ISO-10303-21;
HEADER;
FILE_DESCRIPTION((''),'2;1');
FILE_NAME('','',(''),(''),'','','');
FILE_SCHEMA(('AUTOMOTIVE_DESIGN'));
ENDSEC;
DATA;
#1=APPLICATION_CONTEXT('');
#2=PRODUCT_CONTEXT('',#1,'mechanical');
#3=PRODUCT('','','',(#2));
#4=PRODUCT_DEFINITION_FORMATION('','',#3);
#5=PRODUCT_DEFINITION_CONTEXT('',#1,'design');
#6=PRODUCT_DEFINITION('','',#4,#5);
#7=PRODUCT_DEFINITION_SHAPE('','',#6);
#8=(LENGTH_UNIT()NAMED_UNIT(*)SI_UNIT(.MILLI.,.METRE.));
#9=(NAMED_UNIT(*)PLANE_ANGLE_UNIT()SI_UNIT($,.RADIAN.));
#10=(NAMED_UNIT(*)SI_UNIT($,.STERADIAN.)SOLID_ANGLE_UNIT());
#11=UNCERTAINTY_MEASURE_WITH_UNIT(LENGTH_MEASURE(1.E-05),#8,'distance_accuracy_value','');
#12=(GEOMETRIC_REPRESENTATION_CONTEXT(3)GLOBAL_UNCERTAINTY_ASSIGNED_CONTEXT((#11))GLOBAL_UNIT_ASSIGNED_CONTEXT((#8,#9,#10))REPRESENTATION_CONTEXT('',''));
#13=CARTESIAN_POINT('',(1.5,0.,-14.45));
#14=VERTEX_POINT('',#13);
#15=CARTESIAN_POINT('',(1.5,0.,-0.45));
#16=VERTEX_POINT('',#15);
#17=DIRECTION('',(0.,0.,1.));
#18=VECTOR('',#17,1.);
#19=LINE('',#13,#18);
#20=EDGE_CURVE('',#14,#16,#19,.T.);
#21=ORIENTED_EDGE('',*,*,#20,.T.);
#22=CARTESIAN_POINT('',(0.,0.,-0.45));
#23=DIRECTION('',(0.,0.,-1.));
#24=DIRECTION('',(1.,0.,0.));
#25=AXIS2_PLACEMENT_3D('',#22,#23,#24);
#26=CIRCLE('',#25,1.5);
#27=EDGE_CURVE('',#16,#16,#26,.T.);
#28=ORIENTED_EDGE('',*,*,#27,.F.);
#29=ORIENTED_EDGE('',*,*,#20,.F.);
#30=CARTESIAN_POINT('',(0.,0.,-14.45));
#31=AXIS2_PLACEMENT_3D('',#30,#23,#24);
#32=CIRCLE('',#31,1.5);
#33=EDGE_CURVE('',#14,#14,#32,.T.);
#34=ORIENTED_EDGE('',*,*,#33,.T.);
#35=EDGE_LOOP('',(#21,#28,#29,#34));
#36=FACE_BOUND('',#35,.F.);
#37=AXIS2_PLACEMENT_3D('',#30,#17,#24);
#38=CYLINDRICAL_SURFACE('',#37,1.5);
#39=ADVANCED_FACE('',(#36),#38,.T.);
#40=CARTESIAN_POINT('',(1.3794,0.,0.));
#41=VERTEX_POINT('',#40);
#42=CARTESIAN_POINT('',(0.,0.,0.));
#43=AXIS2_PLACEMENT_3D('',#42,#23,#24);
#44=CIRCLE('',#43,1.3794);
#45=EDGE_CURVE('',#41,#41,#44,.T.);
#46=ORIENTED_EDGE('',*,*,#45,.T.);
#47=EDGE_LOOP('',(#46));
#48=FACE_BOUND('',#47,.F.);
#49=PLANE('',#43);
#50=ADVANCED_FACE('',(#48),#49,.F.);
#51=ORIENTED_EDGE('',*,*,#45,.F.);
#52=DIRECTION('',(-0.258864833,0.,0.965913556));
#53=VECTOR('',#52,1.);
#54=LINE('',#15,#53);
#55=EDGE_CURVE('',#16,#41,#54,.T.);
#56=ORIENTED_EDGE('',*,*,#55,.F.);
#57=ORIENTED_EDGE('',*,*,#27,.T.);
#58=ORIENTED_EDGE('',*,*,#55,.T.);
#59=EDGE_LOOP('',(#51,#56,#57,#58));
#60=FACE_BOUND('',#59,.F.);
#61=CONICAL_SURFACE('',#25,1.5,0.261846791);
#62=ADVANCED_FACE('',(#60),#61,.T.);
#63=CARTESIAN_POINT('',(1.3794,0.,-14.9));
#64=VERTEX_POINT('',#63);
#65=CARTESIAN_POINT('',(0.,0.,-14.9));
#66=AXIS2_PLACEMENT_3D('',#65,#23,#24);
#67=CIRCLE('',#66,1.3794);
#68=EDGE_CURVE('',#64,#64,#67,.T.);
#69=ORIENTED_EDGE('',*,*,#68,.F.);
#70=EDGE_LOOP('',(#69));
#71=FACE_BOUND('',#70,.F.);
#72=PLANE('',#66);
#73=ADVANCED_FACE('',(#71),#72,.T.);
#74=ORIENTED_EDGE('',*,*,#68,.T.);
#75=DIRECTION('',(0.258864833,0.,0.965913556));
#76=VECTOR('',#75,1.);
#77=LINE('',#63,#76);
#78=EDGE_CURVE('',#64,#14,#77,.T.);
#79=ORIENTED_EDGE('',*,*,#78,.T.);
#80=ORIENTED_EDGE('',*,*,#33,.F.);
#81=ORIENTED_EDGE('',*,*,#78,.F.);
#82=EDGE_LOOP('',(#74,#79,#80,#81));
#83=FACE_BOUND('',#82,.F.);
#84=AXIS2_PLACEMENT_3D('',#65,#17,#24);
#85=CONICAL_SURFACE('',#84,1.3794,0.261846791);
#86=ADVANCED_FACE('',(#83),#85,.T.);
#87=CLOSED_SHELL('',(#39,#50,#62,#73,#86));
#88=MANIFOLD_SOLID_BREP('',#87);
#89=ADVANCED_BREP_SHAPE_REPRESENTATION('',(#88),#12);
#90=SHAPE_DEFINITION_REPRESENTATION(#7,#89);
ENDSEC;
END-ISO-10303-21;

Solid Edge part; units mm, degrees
sketch "Sketch1" plane through (0, 0, 0) normal (0, -1, 0) x (1, 0, 0)
  line L0 (0, -14.9) -> (1.3794, -14.9)
  line L1 (1.3794, -14.9) -> (1.5, -14.45)
  line L2 (1.5, -14.45) -> (1.5, -0.45)
  line L3 (1.5, -0.45) -> (1.3794, 0)
  line L4 (1.3794, 0) -> (0, 0)
  dimension "D1" = 1.5
  dimension "D2" = 14
  dimension "D3" = 0.45
revolve "RevolvedProtrusion_1" add sketch "Sketch1" angle 360 about axis through (0, 0, 0) along (0, 0, -1)
properties material "Stahl"
